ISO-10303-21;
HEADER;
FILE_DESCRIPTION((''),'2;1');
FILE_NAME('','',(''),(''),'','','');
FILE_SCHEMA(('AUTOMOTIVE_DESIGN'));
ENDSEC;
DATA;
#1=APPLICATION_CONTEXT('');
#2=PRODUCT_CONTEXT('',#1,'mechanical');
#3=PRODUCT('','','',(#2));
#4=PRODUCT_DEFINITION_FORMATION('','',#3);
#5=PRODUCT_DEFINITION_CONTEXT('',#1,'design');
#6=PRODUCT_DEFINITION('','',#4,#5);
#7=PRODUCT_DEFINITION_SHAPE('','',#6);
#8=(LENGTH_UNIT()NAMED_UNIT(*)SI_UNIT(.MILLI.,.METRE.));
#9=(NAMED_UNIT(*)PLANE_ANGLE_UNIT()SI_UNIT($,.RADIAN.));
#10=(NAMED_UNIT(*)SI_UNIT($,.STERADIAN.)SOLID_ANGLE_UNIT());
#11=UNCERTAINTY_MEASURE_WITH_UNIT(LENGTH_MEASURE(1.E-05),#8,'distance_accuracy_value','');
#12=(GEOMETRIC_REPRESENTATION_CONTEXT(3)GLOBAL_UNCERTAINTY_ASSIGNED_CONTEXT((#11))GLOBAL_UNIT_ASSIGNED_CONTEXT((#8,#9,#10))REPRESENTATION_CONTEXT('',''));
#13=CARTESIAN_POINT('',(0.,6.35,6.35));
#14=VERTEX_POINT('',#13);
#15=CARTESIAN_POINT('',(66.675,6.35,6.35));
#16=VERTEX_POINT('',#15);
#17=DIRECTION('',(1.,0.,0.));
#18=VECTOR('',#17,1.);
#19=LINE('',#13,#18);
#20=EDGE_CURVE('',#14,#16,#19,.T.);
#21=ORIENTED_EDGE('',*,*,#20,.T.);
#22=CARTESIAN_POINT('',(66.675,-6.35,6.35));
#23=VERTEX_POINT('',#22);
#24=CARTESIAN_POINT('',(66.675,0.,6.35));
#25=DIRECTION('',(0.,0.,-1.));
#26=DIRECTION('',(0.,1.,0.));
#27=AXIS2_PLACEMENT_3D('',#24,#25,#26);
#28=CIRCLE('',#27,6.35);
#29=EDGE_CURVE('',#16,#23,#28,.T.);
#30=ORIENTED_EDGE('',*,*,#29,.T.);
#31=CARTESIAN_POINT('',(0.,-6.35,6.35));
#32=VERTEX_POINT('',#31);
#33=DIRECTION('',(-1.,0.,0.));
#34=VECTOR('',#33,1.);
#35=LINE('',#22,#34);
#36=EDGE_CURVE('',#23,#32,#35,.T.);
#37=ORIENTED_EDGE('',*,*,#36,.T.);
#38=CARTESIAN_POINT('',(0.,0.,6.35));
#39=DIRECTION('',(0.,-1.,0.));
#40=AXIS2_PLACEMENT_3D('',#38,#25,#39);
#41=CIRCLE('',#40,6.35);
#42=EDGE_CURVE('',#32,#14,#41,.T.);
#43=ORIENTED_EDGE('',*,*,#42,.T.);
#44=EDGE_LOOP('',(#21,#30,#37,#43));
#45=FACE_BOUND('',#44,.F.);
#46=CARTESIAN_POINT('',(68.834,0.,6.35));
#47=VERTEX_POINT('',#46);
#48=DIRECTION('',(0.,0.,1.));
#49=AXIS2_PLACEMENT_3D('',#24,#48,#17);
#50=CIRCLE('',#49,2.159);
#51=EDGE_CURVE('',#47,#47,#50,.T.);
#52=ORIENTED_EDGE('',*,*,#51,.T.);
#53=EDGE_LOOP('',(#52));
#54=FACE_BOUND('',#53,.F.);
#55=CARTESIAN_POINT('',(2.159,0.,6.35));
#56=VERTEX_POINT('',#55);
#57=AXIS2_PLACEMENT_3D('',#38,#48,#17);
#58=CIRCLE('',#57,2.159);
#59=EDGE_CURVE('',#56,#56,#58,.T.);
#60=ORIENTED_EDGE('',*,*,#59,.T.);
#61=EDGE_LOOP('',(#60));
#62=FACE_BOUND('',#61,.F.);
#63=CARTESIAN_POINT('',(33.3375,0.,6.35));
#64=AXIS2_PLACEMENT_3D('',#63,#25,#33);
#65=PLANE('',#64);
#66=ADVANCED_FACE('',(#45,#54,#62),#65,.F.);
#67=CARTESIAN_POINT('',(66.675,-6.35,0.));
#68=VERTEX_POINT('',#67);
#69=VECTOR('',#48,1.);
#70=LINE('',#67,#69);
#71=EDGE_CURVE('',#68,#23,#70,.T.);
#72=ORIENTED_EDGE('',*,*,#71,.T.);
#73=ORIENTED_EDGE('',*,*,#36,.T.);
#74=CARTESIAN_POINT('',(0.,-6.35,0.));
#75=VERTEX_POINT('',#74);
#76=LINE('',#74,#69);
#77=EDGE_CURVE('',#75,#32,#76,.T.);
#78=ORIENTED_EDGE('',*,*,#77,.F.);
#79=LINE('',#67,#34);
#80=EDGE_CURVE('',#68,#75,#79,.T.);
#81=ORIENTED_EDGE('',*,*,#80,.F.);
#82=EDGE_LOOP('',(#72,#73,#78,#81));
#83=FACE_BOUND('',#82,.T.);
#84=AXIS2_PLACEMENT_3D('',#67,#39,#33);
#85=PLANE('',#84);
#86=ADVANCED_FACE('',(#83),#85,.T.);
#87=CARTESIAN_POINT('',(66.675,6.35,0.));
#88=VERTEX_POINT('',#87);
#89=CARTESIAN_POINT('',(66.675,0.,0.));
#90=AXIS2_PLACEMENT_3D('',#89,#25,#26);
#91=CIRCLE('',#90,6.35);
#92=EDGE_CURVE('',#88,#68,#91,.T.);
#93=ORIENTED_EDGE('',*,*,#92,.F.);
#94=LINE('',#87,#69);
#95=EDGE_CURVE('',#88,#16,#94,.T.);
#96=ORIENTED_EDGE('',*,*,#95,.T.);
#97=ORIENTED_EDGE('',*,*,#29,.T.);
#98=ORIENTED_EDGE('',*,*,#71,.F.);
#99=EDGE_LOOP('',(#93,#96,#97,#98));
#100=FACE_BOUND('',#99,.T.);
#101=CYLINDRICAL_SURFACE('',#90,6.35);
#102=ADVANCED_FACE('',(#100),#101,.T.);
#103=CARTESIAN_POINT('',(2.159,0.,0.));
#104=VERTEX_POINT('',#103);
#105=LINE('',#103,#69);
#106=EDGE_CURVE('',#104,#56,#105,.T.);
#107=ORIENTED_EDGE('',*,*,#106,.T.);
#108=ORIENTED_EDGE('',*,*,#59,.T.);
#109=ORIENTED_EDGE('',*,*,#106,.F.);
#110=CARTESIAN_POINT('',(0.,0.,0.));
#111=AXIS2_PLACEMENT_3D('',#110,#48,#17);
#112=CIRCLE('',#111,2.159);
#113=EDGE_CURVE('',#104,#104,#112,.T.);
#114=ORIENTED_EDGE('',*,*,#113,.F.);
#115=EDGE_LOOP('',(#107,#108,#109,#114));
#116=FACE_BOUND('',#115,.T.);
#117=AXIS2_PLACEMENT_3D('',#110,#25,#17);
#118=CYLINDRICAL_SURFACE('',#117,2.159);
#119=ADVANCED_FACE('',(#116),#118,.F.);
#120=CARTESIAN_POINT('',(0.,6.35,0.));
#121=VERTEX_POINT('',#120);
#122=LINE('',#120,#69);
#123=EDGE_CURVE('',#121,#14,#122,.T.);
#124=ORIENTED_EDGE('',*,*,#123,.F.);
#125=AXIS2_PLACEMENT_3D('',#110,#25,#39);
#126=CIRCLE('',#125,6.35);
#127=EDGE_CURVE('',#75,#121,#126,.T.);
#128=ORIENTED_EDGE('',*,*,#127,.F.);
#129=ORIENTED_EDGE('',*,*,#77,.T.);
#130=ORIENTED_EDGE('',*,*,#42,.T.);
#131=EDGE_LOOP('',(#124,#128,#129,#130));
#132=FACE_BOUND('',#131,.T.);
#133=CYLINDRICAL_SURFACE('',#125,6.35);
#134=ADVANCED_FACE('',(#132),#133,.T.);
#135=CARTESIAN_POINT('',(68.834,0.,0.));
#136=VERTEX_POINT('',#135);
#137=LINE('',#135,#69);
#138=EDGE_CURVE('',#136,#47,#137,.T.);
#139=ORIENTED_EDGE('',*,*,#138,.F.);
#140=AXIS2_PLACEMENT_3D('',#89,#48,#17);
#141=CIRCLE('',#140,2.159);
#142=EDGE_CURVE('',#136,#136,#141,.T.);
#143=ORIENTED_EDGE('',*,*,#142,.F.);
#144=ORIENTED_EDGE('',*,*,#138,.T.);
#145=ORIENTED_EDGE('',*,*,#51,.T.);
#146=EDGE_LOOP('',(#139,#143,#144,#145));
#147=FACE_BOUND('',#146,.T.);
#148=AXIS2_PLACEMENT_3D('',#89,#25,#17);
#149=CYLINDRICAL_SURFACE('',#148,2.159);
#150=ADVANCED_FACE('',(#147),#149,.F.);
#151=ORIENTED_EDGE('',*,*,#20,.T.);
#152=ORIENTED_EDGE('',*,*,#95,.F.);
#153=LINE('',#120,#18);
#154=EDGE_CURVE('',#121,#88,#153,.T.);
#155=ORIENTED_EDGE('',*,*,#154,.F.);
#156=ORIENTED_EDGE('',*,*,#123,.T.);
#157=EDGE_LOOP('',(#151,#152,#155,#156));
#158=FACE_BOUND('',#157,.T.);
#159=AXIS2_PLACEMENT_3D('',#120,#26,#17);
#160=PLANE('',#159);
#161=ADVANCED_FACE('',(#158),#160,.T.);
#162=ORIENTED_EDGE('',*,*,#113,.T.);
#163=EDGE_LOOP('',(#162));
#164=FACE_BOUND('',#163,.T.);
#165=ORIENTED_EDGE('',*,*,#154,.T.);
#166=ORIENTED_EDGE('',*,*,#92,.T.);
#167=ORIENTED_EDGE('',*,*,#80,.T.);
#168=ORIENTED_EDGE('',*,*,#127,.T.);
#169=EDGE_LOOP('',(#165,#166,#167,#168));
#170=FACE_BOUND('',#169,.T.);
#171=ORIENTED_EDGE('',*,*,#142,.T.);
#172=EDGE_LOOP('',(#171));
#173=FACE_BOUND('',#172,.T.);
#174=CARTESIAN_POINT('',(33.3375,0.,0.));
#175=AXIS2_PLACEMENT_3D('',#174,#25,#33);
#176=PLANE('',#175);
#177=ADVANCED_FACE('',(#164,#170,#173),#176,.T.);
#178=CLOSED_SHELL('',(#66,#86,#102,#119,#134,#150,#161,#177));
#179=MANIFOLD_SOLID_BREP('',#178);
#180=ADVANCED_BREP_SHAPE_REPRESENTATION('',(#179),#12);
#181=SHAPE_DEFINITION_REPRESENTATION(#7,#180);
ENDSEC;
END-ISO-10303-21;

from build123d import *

# Parameters (mm, degrees)
SKETCH1_R           = 2.159
BOSS_EXTRUDE1_DEPTH = 6.35


with BuildPart() as part:
    # Sketch1 → Boss-Extrude1 (new body)
    with BuildSketch(Plane.XY):
        with BuildLine():
            Line((0, 6.35), (66.675, 6.35))
            ThreePointArc((66.675, 6.35), (73.025, 0), (66.675, -6.35))
            Line((66.675, -6.35), (0, -6.35))
            ThreePointArc((0, -6.35), (-6.35, 0), (0, 6.35))
        make_face()
        Circle(SKETCH1_R, mode=Mode.SUBTRACT)
        with Locations((66.675, 0)):
            Circle(SKETCH1_R, mode=Mode.SUBTRACT)
    extrude(amount=BOSS_EXTRUDE1_DEPTH)


solid = part.part
